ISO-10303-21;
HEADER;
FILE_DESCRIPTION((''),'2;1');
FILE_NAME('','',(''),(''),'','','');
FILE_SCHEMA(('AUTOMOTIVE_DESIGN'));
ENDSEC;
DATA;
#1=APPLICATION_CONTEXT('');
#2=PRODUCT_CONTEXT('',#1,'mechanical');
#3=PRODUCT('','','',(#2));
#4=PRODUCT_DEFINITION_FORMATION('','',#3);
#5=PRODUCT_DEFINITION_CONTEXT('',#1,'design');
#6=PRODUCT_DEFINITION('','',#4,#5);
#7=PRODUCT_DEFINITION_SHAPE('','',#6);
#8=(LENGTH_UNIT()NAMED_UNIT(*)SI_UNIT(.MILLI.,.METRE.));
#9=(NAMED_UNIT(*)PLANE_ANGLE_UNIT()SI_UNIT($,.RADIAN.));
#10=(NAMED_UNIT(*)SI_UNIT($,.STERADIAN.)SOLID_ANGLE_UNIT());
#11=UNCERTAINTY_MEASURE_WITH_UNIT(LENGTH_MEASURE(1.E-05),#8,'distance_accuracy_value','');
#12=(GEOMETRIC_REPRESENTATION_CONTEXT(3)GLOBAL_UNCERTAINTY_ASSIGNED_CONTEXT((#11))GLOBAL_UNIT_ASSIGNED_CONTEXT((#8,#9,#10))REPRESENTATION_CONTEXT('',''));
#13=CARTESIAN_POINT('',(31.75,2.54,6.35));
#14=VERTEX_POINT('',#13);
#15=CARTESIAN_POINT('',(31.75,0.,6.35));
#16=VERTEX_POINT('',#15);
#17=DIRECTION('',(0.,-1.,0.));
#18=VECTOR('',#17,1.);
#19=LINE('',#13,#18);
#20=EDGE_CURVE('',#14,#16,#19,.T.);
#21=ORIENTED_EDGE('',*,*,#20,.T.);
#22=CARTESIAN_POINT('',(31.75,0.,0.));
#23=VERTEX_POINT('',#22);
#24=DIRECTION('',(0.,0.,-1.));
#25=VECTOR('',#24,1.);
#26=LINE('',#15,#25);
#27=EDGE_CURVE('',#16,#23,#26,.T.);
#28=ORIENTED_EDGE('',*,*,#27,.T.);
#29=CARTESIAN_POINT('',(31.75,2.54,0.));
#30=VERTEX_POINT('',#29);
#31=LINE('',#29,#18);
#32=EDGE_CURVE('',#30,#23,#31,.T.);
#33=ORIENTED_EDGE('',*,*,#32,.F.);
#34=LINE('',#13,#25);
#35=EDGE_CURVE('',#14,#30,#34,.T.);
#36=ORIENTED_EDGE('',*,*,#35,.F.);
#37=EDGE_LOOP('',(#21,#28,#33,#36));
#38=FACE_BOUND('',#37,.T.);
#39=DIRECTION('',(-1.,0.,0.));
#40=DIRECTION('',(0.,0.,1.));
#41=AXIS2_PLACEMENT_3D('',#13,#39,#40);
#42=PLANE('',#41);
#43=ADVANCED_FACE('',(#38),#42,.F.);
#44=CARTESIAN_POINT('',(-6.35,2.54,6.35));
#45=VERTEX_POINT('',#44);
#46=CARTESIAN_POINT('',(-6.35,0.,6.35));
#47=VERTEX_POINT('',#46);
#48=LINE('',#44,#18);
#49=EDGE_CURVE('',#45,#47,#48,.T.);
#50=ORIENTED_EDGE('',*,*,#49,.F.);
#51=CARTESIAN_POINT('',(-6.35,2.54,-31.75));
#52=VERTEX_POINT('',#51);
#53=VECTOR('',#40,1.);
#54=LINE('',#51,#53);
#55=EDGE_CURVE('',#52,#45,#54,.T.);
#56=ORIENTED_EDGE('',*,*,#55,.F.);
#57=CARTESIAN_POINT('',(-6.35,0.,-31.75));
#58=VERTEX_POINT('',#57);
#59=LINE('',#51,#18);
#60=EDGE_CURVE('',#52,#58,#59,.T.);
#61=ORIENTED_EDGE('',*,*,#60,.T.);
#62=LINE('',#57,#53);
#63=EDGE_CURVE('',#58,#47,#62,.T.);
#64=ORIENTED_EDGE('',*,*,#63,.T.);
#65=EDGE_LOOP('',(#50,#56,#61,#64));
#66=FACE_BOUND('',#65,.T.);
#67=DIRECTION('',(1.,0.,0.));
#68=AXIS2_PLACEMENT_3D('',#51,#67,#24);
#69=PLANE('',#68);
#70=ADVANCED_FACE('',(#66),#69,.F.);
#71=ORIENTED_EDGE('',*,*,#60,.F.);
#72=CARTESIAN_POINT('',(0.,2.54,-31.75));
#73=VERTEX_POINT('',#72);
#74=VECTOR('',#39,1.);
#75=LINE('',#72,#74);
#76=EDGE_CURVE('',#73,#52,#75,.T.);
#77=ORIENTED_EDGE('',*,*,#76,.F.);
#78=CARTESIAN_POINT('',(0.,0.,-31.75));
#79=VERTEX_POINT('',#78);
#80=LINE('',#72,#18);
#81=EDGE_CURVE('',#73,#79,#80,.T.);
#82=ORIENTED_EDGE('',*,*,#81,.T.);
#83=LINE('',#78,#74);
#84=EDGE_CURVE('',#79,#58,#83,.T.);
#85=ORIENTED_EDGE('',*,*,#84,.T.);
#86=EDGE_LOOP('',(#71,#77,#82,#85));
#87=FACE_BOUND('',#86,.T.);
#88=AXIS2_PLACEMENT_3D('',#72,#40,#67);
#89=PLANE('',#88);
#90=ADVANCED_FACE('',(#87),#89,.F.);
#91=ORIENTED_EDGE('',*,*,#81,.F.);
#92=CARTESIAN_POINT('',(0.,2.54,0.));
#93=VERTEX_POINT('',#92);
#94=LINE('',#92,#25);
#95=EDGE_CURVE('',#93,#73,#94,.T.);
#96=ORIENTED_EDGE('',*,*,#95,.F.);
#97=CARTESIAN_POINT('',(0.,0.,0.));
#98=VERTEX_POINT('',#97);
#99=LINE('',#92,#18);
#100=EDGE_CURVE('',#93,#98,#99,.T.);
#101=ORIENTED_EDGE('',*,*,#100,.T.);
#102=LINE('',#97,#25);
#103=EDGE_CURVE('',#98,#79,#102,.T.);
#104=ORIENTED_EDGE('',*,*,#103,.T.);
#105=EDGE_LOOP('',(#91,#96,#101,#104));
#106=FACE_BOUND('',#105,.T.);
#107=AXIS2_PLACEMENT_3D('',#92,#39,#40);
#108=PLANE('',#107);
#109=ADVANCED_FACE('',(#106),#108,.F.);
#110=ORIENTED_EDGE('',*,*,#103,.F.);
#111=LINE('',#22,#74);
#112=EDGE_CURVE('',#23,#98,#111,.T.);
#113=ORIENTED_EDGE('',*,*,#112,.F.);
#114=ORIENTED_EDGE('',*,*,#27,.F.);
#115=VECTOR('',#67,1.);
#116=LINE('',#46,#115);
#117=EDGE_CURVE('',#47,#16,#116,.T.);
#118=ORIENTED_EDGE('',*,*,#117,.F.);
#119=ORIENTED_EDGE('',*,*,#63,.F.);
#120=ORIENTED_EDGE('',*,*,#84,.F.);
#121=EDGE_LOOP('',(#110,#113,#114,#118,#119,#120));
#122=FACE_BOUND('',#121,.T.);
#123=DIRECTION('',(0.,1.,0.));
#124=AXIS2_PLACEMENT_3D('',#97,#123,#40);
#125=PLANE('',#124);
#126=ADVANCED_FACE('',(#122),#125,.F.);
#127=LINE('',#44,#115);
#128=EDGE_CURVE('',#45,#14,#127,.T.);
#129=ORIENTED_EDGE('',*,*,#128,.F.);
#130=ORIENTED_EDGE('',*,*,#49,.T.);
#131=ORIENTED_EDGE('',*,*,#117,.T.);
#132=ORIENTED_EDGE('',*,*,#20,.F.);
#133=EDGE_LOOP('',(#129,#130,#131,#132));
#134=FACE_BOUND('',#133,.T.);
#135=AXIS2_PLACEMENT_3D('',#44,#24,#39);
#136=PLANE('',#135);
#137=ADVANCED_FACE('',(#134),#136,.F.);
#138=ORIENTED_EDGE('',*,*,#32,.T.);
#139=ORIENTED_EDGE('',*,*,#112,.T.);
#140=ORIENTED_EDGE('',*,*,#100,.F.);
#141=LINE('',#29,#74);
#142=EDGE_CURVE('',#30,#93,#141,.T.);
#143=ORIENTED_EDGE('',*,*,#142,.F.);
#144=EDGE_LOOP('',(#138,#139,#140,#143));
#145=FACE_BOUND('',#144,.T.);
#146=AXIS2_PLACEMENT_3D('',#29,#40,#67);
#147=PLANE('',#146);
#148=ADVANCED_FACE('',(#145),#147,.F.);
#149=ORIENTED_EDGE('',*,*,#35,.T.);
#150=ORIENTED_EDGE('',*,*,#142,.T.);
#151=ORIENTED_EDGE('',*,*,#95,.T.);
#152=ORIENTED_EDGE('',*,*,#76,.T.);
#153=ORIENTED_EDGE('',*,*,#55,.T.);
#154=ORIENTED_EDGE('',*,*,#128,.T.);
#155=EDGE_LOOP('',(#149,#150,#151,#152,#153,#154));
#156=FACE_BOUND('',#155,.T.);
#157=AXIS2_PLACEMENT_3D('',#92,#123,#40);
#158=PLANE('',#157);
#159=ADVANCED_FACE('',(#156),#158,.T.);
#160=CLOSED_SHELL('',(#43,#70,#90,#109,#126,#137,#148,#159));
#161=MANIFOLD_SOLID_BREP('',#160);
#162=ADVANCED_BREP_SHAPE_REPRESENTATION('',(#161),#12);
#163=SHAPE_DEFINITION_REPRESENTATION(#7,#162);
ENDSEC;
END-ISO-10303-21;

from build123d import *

# Parameters (mm, degrees)
BOSS_EXTRUDE1_DEPTH = 2.54


with BuildPart() as part:
    # Sketch1 → Boss-Extrude1 (new body)
    with BuildSketch(Plane(origin=(0, 0, 0), x_dir=(1, 0, 0), z_dir=(0, 1, 0))):
        Polygon((31.75, 0), (0, 0), (0, 31.75), (-6.35, 31.75), (-6.35, -6.35), (31.75, -6.35), align=None)
    extrude(amount=BOSS_EXTRUDE1_DEPTH)


solid = part.part
